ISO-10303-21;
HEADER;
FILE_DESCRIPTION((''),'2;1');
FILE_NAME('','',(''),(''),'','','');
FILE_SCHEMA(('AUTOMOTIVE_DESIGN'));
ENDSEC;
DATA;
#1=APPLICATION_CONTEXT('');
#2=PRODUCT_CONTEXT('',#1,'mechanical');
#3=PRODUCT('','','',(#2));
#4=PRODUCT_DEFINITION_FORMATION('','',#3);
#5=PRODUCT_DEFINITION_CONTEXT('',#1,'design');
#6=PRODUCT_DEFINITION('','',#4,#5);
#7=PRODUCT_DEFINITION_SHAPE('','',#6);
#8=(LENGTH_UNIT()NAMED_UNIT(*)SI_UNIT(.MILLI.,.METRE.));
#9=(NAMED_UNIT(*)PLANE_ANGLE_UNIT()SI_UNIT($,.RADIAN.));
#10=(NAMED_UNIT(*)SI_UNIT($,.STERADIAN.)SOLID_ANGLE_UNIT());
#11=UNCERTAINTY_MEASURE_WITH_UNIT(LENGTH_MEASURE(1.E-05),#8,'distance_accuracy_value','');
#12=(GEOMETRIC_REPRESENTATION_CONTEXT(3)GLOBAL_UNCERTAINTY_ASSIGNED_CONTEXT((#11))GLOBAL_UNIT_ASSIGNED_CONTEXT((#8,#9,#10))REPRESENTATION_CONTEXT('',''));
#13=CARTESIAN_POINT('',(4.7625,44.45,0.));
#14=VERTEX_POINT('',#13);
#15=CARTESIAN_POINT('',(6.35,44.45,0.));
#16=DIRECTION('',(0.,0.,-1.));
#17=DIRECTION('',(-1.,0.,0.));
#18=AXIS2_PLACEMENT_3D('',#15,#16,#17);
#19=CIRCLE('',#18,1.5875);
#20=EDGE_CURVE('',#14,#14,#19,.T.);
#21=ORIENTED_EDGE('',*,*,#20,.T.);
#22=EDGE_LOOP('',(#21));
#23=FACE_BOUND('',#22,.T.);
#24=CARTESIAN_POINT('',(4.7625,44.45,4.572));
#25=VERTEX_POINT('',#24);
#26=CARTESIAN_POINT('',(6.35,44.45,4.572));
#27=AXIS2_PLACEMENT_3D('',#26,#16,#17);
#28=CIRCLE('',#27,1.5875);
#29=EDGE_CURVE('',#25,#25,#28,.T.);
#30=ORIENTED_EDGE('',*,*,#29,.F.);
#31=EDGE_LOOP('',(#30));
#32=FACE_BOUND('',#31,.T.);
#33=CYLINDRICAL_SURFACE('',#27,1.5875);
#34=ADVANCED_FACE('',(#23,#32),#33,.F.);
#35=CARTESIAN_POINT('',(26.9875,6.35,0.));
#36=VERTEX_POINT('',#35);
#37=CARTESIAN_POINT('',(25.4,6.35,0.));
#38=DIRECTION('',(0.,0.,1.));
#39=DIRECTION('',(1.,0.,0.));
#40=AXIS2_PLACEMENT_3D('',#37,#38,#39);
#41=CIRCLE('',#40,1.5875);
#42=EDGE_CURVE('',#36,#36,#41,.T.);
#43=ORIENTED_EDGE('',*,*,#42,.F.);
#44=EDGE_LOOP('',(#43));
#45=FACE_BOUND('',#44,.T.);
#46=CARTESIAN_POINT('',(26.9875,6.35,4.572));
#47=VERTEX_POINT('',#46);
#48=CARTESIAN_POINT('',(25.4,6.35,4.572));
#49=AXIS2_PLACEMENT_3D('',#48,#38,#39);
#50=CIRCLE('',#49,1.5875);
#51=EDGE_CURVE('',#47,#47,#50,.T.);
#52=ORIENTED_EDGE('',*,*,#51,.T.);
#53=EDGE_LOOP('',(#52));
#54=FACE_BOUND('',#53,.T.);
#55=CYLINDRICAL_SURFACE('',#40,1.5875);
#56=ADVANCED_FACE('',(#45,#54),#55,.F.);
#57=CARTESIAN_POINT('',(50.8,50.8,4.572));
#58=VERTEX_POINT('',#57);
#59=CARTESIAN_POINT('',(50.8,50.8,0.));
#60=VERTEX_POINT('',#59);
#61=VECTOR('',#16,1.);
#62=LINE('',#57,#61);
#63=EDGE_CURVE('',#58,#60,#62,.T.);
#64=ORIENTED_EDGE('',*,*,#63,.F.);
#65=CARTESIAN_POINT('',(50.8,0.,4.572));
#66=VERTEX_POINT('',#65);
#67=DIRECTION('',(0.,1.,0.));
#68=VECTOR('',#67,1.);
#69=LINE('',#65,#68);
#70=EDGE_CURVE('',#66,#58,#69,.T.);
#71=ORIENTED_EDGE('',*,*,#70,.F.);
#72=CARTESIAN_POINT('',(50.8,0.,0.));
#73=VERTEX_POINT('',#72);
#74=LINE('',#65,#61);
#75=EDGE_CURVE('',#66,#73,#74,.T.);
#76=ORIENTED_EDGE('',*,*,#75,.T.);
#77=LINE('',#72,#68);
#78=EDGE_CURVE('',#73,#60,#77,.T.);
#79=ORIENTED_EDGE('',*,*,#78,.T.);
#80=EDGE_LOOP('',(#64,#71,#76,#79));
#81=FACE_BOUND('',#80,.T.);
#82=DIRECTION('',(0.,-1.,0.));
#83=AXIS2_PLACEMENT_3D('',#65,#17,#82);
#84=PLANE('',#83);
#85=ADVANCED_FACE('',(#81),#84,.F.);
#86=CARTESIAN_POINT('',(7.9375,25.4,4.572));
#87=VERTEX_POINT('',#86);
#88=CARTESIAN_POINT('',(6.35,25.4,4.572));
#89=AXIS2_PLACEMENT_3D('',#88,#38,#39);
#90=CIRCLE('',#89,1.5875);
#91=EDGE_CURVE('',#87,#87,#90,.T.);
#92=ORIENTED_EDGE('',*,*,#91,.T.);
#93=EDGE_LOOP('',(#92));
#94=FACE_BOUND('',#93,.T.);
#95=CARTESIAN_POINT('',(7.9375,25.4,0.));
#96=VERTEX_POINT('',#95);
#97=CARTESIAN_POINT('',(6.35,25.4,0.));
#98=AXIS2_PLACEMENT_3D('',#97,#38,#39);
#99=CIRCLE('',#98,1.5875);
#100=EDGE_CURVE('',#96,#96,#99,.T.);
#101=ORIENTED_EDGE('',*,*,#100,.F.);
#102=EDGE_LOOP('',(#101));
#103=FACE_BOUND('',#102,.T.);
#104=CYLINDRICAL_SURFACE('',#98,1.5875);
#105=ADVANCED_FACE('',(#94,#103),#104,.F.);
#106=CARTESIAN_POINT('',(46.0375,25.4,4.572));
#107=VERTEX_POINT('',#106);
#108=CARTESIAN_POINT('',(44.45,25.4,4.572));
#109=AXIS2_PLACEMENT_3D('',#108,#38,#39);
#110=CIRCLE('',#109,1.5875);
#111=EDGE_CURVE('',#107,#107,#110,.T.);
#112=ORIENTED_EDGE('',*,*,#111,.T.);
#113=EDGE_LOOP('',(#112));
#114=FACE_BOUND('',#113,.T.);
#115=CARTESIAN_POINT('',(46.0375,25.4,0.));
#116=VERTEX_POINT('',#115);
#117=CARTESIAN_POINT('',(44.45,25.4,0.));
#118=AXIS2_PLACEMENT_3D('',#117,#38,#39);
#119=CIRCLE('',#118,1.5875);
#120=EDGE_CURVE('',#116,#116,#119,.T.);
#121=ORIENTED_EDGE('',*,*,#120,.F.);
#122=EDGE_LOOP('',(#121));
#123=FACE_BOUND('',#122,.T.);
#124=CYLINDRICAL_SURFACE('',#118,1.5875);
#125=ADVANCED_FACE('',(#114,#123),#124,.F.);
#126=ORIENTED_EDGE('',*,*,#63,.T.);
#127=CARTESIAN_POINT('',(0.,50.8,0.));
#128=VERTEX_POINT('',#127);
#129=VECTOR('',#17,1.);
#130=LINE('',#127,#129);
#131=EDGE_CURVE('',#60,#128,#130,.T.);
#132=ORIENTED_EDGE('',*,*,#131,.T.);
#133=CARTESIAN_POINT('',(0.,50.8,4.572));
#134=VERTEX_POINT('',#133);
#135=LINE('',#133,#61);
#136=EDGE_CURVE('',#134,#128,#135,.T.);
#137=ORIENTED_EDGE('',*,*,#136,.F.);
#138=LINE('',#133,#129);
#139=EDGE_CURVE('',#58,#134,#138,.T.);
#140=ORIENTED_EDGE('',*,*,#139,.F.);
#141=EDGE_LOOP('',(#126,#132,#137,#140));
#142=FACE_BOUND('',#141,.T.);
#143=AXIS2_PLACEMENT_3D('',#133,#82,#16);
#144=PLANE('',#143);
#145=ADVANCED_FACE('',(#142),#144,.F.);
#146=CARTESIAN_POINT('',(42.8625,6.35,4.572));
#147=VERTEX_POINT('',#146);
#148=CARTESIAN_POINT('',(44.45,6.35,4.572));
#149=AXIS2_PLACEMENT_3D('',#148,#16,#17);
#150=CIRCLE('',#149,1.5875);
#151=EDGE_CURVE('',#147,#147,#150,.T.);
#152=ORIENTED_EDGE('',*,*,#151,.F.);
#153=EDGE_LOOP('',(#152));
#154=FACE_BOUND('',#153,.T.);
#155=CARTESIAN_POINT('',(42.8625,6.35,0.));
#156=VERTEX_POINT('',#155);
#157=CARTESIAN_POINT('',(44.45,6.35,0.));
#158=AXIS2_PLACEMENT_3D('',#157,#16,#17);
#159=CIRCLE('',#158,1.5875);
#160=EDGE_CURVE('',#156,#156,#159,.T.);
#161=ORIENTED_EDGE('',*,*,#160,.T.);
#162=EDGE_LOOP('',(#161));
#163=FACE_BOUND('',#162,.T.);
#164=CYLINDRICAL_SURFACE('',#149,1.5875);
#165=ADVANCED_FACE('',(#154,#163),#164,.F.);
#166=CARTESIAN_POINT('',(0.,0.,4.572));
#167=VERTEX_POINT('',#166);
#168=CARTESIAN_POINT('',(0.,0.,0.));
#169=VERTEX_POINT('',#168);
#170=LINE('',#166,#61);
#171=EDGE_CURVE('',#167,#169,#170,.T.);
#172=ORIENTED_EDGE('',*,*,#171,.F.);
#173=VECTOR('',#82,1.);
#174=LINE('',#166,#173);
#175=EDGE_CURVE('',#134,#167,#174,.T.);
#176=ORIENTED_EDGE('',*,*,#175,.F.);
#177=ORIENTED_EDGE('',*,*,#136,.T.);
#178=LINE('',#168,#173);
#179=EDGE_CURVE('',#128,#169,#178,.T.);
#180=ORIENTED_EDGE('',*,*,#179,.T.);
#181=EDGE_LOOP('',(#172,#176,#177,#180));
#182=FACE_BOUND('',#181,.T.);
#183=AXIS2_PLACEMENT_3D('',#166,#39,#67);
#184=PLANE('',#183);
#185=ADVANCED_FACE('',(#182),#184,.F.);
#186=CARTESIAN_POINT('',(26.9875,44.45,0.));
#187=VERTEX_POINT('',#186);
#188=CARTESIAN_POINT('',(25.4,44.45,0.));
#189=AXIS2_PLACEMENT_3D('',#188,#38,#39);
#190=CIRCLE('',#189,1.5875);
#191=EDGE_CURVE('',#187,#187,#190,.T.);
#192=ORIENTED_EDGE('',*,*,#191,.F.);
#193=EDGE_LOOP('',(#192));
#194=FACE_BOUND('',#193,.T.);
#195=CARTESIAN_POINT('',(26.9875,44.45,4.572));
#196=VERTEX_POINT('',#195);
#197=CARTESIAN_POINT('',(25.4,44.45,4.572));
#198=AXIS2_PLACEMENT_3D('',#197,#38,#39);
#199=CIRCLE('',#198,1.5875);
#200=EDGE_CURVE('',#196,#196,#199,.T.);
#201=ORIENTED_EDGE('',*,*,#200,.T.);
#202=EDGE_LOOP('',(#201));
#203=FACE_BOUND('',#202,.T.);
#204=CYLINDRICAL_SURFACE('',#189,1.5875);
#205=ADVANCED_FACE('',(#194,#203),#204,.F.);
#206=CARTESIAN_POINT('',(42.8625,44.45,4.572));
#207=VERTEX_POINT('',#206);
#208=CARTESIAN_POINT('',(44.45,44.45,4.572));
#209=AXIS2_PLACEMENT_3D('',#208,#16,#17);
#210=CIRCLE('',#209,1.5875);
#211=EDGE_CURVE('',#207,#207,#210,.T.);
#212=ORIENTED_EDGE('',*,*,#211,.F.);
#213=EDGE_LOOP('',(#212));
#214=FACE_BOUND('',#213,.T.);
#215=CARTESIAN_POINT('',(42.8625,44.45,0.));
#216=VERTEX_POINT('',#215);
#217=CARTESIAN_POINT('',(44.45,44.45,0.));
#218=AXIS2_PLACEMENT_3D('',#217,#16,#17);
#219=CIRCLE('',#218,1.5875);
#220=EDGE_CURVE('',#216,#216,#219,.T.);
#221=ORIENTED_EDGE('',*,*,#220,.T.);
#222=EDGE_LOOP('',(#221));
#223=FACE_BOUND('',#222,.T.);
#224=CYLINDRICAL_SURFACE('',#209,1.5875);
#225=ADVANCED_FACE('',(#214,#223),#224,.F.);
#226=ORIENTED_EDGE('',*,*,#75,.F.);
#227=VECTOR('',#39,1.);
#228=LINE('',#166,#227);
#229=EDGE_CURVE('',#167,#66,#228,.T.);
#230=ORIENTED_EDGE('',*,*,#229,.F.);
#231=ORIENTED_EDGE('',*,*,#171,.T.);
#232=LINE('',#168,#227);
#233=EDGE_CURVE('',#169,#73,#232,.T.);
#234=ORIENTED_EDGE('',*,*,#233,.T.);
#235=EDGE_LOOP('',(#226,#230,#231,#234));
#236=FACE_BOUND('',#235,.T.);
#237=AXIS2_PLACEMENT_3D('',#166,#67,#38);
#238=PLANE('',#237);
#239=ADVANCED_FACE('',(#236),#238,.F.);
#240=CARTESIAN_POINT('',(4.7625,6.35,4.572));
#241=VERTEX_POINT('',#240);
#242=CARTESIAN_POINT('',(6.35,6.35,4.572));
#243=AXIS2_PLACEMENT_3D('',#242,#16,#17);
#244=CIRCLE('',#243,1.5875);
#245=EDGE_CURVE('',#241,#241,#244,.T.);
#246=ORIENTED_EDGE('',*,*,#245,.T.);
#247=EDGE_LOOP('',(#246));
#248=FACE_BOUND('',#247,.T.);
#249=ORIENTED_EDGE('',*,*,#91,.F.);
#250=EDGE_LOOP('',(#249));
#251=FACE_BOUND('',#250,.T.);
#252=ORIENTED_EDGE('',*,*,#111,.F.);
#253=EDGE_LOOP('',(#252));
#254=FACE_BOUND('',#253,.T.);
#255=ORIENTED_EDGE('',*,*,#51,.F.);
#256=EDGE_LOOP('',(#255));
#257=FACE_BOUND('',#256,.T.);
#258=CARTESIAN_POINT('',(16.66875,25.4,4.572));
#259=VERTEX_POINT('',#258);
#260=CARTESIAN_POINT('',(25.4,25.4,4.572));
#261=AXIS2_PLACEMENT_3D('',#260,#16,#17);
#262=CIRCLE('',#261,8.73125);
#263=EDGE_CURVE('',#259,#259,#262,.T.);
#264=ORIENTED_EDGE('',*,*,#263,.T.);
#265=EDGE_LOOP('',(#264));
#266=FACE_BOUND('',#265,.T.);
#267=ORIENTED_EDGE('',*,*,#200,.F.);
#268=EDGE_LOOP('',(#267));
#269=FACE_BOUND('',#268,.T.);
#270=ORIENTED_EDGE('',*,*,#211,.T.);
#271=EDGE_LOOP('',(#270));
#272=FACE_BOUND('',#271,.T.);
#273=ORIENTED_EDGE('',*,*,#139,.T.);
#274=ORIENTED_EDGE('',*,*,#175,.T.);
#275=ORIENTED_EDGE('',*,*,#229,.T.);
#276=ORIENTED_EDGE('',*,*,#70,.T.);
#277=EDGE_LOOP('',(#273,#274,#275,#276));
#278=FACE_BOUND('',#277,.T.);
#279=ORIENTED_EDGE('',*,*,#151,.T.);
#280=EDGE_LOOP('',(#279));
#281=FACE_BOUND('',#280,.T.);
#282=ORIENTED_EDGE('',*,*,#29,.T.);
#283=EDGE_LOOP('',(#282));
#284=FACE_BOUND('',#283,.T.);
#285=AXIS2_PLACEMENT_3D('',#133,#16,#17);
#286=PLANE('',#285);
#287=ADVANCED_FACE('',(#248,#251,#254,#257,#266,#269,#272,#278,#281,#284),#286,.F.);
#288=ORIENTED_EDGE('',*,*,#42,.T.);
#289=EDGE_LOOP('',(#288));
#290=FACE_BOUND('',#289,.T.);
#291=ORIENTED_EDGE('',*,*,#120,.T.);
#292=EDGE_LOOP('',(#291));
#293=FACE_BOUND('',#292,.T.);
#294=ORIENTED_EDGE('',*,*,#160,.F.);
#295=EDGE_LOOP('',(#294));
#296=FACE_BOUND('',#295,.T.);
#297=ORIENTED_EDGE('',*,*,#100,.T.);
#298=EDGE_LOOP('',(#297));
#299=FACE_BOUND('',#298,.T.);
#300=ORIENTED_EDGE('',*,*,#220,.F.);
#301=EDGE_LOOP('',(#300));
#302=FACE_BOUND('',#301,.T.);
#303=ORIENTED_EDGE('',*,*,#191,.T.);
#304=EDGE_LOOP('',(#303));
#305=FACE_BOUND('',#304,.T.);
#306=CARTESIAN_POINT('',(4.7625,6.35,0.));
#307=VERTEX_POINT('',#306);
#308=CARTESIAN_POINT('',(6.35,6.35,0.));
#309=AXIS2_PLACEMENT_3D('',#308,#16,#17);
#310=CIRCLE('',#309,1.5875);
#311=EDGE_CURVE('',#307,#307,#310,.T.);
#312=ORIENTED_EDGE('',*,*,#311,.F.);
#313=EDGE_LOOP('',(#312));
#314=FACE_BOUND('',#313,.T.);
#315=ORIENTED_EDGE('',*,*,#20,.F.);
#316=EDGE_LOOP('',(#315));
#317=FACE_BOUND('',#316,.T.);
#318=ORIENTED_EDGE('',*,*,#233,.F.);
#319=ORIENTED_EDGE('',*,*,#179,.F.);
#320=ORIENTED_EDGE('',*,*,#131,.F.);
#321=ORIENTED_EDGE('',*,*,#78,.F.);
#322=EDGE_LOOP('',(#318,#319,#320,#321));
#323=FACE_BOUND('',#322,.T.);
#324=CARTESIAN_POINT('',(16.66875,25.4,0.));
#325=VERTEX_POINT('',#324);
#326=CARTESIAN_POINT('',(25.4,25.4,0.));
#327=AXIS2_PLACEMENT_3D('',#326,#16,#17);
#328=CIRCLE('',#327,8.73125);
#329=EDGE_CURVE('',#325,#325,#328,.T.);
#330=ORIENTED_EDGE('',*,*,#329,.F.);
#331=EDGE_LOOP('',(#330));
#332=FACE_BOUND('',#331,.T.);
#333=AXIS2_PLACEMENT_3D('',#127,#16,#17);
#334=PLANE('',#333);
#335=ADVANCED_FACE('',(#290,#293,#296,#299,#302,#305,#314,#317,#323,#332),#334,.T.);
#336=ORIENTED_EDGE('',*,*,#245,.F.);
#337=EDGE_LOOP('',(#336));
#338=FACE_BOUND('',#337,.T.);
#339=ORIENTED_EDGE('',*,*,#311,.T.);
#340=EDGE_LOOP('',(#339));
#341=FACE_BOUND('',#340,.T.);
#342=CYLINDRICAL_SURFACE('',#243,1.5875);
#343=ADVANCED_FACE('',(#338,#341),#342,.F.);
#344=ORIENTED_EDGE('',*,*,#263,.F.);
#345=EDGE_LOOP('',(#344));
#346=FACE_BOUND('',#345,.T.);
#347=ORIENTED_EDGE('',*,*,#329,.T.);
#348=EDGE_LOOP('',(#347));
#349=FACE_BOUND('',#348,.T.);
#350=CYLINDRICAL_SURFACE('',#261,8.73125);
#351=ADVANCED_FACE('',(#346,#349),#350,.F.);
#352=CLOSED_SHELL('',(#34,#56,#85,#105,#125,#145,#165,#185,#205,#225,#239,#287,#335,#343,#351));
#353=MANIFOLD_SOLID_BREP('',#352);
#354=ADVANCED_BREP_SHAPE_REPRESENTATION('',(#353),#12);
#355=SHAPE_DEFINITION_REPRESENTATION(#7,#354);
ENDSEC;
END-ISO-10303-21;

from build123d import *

# Parameters (mm, degrees)
SKETCH1_W           = 50.8
SKETCH1_H           = 50.8
BOSS_EXTRUDE1_DEPTH = 4.572
SKETCH2_R           = 8.73125
CUT_EXTRUDE7_DEPTH  = 5.572
SKETCH5_R           = 1.5875
CUT_EXTRUDE8_DEPTH  = 5.572
SKETCH7_R           = 1.5875
CUT_EXTRUDE9_DEPTH  = 5.572


with BuildPart() as part:
    # Sketch1 → Boss-Extrude1 (new body)
    with BuildSketch(Plane.XY):
        with Locations((25.4, 25.4)):
            Rectangle(SKETCH1_W, SKETCH1_H)
    extrude(amount=BOSS_EXTRUDE1_DEPTH)

    # Sketch2 → Cut-Extrude7 (cut, through all)
    with BuildSketch(Plane(origin=(0, 0, 0), x_dir=(-1, 0, 0), z_dir=(0, 0, -1))):
        with Locations((-25.4, 25.4)):
            Circle(SKETCH2_R)
    extrude(amount=-CUT_EXTRUDE7_DEPTH, mode=Mode.SUBTRACT)

    # Sketch5 → Cut-Extrude8 (cut, through all)
    with BuildSketch(Plane.XY.offset(4.572)):
        with Locations((25.4, 6.35)):
            Circle(SKETCH5_R)
        with Locations((6.35, 25.4)):
            Circle(SKETCH5_R)
        with Locations((25.4, 44.45)):
            Circle(SKETCH5_R)
        with Locations((44.45, 25.4)):
            Circle(SKETCH5_R)
    extrude(amount=-CUT_EXTRUDE8_DEPTH, mode=Mode.SUBTRACT)

    # Sketch7 → Cut-Extrude9 (cut, through all)
    with BuildSketch(Plane(origin=(0, 0, 0), x_dir=(-1, 0, 0), z_dir=(0, 0, -1))):
        with Locations((-6.35, 6.35)):
            Circle(SKETCH7_R)
        with Locations((-44.45, 6.35)):
            Circle(SKETCH7_R)
        with Locations((-44.45, 44.45)):
            Circle(SKETCH7_R)
        with Locations((-6.35, 44.45)):
            Circle(SKETCH7_R)
    extrude(amount=-CUT_EXTRUDE9_DEPTH, mode=Mode.SUBTRACT)


solid = part.part
